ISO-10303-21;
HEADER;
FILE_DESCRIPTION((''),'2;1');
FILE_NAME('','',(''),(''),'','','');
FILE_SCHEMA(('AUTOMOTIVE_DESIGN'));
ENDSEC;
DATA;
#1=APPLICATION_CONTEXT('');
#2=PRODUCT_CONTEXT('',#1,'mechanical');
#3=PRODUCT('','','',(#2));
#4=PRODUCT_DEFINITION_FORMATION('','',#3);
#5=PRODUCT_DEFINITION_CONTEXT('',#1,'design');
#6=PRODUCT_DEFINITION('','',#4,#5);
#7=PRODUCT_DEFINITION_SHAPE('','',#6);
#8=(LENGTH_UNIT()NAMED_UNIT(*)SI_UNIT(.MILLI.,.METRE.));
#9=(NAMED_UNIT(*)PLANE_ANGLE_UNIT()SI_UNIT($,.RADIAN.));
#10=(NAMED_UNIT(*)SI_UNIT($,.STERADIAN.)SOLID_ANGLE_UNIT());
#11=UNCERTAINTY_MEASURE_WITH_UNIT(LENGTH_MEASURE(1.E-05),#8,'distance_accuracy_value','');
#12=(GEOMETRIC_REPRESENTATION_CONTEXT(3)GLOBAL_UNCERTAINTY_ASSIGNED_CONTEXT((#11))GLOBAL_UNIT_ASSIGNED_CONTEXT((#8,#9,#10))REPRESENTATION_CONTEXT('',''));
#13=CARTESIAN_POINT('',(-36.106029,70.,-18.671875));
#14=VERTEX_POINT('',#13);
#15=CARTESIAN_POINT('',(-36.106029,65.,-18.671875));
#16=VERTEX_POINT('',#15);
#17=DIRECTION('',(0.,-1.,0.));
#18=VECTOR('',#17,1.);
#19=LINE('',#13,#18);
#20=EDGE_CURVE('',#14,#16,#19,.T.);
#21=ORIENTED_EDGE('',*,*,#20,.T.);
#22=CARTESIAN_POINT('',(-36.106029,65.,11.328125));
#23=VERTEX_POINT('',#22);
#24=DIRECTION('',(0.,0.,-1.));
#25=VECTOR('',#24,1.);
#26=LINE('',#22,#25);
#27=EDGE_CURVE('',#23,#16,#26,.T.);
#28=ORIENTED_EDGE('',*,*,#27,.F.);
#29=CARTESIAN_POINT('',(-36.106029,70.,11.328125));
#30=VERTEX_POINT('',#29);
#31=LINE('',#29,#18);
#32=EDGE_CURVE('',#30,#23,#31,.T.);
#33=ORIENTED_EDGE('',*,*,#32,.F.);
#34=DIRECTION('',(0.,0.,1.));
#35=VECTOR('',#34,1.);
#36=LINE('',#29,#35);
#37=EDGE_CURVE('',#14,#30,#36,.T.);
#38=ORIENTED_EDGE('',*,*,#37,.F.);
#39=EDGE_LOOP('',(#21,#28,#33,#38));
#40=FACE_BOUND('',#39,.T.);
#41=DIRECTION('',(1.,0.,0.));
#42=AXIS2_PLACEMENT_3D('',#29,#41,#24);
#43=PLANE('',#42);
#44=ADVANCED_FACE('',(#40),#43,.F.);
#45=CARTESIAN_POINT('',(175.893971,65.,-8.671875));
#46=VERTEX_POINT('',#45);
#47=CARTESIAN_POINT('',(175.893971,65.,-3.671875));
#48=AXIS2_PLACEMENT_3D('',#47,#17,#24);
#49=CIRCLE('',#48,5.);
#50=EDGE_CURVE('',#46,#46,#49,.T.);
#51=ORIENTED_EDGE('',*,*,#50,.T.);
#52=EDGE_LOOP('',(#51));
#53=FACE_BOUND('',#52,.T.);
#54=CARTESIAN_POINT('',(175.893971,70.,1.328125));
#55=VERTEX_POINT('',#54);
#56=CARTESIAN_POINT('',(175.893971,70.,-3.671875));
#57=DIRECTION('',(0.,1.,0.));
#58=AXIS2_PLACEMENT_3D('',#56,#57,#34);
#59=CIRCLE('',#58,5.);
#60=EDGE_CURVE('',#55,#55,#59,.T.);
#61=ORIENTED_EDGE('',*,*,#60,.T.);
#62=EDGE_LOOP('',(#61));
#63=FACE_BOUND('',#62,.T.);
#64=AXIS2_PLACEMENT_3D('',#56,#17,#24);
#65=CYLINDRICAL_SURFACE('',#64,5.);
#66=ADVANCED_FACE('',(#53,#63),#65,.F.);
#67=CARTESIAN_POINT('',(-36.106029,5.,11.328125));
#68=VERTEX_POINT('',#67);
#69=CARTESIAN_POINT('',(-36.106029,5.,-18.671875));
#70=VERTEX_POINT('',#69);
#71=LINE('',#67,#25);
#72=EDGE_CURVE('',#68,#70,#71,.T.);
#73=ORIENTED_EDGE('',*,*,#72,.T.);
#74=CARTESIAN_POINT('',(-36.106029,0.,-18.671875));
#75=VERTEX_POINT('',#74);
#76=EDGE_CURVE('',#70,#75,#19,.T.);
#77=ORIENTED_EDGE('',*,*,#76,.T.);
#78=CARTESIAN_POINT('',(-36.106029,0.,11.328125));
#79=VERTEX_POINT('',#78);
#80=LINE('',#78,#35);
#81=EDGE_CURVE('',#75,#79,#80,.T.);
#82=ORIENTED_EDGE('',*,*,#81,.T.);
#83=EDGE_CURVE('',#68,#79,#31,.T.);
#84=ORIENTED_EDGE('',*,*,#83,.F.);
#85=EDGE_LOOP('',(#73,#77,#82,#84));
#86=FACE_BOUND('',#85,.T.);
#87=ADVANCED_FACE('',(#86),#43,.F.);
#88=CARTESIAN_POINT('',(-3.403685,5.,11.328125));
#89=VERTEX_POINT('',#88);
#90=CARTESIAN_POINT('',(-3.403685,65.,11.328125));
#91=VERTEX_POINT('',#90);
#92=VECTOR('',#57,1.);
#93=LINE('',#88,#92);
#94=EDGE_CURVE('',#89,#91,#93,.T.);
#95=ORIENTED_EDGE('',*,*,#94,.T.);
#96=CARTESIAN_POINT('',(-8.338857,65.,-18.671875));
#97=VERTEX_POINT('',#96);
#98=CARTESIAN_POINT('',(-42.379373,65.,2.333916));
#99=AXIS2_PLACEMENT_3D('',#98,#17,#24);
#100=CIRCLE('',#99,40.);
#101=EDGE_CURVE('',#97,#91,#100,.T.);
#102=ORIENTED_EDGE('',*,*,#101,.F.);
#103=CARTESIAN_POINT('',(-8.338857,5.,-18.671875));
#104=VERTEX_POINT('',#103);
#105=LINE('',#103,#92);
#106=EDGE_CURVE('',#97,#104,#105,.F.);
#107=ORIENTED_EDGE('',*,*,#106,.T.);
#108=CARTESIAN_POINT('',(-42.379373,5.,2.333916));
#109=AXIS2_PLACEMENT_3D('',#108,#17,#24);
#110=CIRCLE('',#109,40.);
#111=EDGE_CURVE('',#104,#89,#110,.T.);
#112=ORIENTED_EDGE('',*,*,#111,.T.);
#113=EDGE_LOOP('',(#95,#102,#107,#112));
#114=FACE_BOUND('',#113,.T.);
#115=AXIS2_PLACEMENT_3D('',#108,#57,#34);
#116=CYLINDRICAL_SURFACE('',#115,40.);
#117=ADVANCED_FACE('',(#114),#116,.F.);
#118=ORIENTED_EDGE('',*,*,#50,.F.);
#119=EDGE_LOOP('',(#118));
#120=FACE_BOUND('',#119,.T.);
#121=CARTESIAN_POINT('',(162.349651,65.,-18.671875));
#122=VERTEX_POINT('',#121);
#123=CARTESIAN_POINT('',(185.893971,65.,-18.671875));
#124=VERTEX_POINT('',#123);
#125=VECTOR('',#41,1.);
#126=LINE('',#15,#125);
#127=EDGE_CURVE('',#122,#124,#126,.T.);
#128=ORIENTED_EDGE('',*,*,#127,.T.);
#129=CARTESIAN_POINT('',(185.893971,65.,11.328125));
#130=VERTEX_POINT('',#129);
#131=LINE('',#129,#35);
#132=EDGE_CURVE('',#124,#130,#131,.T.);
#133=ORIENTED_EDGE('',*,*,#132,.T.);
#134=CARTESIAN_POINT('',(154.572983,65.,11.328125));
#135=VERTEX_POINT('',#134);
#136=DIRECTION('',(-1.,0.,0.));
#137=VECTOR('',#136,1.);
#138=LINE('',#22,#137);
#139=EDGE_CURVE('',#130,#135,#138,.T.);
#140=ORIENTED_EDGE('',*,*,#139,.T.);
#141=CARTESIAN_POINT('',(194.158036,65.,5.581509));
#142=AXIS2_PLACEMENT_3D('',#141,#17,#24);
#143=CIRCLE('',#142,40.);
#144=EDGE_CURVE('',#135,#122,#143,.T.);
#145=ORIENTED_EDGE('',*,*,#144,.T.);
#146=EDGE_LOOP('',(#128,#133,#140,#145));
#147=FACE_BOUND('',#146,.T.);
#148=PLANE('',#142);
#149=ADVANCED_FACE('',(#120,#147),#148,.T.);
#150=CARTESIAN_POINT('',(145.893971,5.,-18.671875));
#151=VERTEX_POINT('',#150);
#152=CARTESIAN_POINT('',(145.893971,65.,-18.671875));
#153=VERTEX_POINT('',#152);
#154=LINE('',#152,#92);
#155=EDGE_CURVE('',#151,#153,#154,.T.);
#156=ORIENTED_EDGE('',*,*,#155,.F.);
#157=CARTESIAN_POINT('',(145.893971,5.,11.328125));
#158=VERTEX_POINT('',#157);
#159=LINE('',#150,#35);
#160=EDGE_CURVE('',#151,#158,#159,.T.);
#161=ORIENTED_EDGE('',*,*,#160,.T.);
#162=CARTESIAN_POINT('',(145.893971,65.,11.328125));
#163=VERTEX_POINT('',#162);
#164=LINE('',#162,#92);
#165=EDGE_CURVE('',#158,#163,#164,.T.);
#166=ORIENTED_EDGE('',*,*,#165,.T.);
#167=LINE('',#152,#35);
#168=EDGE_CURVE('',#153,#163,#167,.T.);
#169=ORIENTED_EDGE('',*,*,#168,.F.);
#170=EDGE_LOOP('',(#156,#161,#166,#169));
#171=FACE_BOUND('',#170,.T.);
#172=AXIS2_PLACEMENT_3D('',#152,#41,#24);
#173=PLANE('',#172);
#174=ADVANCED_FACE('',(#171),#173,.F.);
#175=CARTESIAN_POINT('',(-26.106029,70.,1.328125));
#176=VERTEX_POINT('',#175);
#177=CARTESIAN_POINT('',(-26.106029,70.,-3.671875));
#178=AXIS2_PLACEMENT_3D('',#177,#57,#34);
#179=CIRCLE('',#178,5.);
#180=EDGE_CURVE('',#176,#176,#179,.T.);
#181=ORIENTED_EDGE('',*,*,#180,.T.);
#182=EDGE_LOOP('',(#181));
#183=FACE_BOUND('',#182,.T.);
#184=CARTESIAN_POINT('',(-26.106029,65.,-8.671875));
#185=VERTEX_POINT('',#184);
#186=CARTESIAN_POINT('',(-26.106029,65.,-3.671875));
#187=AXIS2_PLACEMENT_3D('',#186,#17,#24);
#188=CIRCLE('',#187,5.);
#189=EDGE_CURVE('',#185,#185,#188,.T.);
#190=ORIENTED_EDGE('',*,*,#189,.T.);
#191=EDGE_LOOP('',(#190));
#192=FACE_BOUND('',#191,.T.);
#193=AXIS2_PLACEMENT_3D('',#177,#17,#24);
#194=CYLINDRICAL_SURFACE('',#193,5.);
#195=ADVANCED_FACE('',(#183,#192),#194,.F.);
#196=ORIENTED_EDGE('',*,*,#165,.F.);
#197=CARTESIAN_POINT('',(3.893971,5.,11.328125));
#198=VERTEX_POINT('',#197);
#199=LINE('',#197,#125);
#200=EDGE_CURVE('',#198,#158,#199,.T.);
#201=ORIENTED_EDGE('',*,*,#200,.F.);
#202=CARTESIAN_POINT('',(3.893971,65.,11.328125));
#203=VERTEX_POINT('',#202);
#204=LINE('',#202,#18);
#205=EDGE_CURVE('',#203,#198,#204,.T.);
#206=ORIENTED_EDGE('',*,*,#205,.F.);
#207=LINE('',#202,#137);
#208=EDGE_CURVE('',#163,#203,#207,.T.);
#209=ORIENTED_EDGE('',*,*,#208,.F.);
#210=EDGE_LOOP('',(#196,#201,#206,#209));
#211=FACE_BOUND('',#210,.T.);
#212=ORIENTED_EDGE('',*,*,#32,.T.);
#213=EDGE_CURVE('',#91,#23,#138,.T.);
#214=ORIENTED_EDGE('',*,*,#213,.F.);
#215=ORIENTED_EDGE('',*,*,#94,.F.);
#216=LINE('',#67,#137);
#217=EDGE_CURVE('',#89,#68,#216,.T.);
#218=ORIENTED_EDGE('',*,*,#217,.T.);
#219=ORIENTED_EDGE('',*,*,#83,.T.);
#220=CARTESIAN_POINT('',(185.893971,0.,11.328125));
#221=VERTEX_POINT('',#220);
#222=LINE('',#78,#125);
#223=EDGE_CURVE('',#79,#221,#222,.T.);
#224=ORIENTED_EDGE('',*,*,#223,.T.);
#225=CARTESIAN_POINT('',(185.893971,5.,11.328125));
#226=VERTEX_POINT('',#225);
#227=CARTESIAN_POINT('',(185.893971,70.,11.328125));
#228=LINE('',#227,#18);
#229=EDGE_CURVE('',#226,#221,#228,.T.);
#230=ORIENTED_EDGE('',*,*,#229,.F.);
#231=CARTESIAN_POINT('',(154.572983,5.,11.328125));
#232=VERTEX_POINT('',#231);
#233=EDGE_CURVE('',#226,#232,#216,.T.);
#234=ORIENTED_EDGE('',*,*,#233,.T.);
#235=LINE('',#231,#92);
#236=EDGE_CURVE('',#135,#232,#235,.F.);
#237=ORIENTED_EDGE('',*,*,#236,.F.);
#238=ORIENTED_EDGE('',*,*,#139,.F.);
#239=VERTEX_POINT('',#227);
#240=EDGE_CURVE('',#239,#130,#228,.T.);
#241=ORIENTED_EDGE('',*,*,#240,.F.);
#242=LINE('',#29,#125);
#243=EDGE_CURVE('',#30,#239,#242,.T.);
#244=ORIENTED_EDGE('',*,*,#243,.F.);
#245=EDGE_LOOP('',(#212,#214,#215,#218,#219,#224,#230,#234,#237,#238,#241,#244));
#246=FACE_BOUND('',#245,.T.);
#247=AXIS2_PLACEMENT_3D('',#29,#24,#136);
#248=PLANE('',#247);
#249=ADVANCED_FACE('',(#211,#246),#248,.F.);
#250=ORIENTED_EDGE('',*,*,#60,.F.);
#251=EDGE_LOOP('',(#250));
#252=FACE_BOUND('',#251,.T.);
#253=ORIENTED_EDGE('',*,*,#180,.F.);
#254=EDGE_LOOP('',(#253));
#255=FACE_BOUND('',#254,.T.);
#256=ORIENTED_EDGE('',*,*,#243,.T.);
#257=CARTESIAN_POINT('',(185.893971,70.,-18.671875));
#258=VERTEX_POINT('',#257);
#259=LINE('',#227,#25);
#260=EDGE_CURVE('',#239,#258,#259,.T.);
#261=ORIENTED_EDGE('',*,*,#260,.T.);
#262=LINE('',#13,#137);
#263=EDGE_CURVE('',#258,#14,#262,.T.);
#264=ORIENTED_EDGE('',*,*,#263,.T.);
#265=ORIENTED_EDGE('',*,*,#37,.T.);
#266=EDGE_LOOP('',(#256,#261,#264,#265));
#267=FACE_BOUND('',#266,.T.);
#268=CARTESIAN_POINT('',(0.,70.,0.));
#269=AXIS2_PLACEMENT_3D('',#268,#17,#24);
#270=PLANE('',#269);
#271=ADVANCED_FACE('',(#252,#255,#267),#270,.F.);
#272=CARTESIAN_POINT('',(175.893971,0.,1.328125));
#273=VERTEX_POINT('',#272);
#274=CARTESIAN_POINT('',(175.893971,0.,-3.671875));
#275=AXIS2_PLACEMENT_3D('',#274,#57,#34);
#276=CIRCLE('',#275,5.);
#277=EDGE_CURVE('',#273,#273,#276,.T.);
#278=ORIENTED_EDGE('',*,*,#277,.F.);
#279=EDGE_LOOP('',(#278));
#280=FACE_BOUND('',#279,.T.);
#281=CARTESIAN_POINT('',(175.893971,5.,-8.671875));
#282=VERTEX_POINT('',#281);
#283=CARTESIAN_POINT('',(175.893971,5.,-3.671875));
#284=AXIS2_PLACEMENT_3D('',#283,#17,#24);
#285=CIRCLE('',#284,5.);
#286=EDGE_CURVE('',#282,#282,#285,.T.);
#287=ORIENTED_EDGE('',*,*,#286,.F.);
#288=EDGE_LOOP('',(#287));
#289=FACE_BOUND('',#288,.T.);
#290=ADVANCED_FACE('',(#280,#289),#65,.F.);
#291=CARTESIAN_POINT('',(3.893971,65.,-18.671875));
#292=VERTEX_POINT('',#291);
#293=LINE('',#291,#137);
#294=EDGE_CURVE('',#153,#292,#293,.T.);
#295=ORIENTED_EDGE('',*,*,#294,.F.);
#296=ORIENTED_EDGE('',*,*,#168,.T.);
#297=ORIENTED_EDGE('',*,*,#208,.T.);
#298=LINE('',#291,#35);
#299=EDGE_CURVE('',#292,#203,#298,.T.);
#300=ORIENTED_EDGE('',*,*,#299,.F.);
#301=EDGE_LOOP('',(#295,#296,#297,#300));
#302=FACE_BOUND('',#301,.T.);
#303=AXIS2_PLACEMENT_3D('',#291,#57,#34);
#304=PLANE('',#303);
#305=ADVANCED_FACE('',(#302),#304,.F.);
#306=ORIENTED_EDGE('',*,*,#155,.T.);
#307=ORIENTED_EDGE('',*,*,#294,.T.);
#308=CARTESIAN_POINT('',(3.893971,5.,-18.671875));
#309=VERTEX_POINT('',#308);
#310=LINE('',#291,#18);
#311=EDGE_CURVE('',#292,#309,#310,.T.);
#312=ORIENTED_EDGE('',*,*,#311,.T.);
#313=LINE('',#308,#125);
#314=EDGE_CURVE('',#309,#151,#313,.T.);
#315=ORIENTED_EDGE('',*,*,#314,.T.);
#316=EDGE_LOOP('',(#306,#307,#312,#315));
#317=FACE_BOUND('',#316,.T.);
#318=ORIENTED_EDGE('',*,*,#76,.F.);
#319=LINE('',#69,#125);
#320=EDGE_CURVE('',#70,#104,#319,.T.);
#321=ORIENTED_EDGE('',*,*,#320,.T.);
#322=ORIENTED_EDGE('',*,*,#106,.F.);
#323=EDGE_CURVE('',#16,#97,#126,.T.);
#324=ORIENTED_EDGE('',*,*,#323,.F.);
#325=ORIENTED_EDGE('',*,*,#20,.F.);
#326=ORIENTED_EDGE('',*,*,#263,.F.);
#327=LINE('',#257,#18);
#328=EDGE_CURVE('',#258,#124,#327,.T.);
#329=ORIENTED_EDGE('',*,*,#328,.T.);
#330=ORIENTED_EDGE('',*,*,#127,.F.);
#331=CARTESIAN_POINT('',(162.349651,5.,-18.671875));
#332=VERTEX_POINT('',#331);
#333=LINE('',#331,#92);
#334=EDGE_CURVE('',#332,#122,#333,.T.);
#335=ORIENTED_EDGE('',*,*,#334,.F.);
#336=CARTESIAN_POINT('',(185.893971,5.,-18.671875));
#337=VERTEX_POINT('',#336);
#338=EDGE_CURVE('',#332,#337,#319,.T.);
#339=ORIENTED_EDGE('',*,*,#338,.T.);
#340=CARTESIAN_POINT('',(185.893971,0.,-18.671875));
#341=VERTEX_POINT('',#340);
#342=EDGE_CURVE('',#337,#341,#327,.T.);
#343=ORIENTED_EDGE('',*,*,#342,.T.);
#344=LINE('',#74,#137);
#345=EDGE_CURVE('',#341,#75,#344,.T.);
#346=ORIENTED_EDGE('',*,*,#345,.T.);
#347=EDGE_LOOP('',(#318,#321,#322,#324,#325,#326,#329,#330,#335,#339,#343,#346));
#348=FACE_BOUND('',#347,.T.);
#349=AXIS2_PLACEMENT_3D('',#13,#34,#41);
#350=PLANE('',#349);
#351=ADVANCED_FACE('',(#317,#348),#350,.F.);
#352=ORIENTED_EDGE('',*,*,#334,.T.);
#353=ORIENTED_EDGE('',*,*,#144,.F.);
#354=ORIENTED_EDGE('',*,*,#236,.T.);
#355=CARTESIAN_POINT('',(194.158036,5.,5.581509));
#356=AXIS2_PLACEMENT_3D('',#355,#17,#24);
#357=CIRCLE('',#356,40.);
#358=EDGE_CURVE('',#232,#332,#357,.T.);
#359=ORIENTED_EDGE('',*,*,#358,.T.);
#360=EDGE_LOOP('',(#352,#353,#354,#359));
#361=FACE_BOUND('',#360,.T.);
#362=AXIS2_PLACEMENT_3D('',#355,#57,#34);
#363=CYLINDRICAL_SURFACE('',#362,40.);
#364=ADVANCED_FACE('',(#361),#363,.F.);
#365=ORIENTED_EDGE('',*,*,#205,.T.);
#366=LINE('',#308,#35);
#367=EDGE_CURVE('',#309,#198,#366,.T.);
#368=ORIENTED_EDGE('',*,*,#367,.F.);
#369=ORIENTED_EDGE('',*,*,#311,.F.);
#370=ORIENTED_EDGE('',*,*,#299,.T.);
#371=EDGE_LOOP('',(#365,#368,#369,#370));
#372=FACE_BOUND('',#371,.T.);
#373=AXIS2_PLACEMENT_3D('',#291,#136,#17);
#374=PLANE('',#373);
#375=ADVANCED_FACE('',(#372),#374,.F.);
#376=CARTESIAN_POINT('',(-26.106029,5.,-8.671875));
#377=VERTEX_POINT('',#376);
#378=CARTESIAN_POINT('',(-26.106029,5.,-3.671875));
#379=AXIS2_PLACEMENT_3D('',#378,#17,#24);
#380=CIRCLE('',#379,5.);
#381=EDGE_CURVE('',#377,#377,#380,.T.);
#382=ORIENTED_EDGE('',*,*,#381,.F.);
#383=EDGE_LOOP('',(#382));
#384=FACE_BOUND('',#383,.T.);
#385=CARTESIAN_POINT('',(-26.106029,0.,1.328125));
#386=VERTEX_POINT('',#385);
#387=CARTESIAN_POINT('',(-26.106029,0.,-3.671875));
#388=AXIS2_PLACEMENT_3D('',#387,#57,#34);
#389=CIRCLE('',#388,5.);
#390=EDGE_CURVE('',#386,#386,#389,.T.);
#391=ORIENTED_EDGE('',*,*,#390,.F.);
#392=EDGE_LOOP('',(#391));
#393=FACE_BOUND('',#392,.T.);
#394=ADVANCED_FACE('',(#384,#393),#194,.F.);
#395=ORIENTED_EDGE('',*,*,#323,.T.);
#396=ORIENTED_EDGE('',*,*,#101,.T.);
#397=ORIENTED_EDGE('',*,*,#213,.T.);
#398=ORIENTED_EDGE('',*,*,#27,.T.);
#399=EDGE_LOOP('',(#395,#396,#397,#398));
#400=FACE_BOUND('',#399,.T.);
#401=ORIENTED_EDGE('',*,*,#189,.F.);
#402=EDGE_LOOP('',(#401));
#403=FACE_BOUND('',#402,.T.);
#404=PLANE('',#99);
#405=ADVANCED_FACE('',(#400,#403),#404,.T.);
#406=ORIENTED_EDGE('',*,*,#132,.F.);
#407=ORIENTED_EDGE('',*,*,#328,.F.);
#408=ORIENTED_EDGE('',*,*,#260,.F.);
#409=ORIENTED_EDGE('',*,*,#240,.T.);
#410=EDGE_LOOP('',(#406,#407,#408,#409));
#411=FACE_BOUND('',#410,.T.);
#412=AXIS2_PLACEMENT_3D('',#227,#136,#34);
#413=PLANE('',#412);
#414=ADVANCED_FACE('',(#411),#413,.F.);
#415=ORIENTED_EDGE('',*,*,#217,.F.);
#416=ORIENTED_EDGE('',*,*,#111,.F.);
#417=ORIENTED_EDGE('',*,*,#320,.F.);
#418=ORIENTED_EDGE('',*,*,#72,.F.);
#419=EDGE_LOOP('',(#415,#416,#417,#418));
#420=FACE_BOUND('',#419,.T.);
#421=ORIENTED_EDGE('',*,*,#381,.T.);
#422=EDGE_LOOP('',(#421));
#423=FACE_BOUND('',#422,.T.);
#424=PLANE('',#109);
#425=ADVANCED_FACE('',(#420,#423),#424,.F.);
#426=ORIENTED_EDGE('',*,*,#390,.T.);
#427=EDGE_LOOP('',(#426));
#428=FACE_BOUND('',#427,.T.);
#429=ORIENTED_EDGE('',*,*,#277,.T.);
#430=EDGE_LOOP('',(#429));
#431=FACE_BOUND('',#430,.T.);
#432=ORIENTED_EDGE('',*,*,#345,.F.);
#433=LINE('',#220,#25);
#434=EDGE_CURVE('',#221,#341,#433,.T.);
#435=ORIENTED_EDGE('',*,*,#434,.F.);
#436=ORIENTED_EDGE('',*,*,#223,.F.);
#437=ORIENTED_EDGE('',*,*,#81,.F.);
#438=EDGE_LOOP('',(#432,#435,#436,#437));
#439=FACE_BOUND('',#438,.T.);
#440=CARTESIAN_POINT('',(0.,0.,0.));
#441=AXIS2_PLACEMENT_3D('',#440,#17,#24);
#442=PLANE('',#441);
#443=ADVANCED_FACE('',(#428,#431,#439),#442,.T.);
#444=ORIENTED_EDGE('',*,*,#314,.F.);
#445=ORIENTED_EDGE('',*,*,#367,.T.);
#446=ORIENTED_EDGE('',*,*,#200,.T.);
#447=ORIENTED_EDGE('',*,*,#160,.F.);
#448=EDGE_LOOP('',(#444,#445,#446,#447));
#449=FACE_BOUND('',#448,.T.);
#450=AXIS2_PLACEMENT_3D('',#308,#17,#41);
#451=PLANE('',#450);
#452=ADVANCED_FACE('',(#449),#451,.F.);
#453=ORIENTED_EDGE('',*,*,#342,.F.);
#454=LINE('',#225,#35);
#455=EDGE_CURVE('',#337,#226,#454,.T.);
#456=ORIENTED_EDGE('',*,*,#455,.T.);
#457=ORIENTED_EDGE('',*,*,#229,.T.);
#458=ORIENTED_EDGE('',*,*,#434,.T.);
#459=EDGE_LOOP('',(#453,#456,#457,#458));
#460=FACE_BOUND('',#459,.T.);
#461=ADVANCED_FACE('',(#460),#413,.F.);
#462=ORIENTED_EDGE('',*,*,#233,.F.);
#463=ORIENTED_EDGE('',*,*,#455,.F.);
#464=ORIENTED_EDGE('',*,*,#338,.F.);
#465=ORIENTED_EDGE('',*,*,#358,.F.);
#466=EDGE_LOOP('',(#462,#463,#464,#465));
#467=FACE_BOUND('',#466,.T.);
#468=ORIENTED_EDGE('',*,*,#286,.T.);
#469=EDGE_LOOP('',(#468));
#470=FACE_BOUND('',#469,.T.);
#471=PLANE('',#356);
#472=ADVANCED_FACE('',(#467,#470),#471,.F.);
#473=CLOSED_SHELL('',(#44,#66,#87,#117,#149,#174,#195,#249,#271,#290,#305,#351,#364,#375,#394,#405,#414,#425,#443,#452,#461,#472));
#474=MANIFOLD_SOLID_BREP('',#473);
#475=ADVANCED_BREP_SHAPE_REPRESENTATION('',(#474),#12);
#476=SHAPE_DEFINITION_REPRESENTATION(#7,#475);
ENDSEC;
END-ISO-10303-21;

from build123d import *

# Parameters (mm, degrees)
CROQUIS1_W                 = 222
CROQUIS1_H                 = 30
CROQUIS1_R                 = 5
SALIENTE_EXTRUIR1_DEPTH    = 70
CORTAR_EXTRUIR1_DEPTH      = 30
CORTAR_EXTRUIR1_DEPTH_BACK = 30
CROQUIS2_R                 = 40
CROQUIS3_W                 = 142
CROQUIS3_H                 = 60
CORTAR_EXTRUIR2_DEPTH      = 201.889443058


with BuildPart() as part:
    # Croquis1 → Saliente-Extruir1 (new body)
    with BuildSketch(Plane(origin=(0, 0, 0), x_dir=(1, 0, 0), z_dir=(0, 1, 0))):
        with Locations((74.893970672, 3.671875)):
            Rectangle(CROQUIS1_W, CROQUIS1_H)
        with Locations(Location((-26.106029328, 3.671875, 0), (0, 0, 270))):
            Circle(CROQUIS1_R, mode=Mode.SUBTRACT)
        with Locations(Location((175.893970672, 3.671875, 0), (0, 0, 270))):
            Circle(CROQUIS1_R, mode=Mode.SUBTRACT)
    extrude(amount=SALIENTE_EXTRUIR1_DEPTH)

    # Croquis2 → Cortar-Extruir1 (cut, two sides: drawn at the far end of the back side and taken through both)
    with BuildSketch(Plane(origin=(0, 35, 0), x_dir=(-1, 0, 0), z_dir=(0, -1, 0)).offset(-CORTAR_EXTRUIR1_DEPTH_BACK)):
        with Locations((42.379372645, -2.333916419)):
            Circle(CROQUIS2_R)
        with Locations((-194.158036126, -5.581508709)):
            Circle(CROQUIS2_R)
    extrude(amount=CORTAR_EXTRUIR1_DEPTH + CORTAR_EXTRUIR1_DEPTH_BACK, mode=Mode.SUBTRACT)

    # Croquis3 → Cortar-Extruir2 (cut, through all)
    with BuildSketch(Plane.XY.offset(11.328125)):
        with Locations((74.893970672, 35)):
            Rectangle(CROQUIS3_W, CROQUIS3_H)
    extrude(amount=-CORTAR_EXTRUIR2_DEPTH, mode=Mode.SUBTRACT)


solid = part.part
